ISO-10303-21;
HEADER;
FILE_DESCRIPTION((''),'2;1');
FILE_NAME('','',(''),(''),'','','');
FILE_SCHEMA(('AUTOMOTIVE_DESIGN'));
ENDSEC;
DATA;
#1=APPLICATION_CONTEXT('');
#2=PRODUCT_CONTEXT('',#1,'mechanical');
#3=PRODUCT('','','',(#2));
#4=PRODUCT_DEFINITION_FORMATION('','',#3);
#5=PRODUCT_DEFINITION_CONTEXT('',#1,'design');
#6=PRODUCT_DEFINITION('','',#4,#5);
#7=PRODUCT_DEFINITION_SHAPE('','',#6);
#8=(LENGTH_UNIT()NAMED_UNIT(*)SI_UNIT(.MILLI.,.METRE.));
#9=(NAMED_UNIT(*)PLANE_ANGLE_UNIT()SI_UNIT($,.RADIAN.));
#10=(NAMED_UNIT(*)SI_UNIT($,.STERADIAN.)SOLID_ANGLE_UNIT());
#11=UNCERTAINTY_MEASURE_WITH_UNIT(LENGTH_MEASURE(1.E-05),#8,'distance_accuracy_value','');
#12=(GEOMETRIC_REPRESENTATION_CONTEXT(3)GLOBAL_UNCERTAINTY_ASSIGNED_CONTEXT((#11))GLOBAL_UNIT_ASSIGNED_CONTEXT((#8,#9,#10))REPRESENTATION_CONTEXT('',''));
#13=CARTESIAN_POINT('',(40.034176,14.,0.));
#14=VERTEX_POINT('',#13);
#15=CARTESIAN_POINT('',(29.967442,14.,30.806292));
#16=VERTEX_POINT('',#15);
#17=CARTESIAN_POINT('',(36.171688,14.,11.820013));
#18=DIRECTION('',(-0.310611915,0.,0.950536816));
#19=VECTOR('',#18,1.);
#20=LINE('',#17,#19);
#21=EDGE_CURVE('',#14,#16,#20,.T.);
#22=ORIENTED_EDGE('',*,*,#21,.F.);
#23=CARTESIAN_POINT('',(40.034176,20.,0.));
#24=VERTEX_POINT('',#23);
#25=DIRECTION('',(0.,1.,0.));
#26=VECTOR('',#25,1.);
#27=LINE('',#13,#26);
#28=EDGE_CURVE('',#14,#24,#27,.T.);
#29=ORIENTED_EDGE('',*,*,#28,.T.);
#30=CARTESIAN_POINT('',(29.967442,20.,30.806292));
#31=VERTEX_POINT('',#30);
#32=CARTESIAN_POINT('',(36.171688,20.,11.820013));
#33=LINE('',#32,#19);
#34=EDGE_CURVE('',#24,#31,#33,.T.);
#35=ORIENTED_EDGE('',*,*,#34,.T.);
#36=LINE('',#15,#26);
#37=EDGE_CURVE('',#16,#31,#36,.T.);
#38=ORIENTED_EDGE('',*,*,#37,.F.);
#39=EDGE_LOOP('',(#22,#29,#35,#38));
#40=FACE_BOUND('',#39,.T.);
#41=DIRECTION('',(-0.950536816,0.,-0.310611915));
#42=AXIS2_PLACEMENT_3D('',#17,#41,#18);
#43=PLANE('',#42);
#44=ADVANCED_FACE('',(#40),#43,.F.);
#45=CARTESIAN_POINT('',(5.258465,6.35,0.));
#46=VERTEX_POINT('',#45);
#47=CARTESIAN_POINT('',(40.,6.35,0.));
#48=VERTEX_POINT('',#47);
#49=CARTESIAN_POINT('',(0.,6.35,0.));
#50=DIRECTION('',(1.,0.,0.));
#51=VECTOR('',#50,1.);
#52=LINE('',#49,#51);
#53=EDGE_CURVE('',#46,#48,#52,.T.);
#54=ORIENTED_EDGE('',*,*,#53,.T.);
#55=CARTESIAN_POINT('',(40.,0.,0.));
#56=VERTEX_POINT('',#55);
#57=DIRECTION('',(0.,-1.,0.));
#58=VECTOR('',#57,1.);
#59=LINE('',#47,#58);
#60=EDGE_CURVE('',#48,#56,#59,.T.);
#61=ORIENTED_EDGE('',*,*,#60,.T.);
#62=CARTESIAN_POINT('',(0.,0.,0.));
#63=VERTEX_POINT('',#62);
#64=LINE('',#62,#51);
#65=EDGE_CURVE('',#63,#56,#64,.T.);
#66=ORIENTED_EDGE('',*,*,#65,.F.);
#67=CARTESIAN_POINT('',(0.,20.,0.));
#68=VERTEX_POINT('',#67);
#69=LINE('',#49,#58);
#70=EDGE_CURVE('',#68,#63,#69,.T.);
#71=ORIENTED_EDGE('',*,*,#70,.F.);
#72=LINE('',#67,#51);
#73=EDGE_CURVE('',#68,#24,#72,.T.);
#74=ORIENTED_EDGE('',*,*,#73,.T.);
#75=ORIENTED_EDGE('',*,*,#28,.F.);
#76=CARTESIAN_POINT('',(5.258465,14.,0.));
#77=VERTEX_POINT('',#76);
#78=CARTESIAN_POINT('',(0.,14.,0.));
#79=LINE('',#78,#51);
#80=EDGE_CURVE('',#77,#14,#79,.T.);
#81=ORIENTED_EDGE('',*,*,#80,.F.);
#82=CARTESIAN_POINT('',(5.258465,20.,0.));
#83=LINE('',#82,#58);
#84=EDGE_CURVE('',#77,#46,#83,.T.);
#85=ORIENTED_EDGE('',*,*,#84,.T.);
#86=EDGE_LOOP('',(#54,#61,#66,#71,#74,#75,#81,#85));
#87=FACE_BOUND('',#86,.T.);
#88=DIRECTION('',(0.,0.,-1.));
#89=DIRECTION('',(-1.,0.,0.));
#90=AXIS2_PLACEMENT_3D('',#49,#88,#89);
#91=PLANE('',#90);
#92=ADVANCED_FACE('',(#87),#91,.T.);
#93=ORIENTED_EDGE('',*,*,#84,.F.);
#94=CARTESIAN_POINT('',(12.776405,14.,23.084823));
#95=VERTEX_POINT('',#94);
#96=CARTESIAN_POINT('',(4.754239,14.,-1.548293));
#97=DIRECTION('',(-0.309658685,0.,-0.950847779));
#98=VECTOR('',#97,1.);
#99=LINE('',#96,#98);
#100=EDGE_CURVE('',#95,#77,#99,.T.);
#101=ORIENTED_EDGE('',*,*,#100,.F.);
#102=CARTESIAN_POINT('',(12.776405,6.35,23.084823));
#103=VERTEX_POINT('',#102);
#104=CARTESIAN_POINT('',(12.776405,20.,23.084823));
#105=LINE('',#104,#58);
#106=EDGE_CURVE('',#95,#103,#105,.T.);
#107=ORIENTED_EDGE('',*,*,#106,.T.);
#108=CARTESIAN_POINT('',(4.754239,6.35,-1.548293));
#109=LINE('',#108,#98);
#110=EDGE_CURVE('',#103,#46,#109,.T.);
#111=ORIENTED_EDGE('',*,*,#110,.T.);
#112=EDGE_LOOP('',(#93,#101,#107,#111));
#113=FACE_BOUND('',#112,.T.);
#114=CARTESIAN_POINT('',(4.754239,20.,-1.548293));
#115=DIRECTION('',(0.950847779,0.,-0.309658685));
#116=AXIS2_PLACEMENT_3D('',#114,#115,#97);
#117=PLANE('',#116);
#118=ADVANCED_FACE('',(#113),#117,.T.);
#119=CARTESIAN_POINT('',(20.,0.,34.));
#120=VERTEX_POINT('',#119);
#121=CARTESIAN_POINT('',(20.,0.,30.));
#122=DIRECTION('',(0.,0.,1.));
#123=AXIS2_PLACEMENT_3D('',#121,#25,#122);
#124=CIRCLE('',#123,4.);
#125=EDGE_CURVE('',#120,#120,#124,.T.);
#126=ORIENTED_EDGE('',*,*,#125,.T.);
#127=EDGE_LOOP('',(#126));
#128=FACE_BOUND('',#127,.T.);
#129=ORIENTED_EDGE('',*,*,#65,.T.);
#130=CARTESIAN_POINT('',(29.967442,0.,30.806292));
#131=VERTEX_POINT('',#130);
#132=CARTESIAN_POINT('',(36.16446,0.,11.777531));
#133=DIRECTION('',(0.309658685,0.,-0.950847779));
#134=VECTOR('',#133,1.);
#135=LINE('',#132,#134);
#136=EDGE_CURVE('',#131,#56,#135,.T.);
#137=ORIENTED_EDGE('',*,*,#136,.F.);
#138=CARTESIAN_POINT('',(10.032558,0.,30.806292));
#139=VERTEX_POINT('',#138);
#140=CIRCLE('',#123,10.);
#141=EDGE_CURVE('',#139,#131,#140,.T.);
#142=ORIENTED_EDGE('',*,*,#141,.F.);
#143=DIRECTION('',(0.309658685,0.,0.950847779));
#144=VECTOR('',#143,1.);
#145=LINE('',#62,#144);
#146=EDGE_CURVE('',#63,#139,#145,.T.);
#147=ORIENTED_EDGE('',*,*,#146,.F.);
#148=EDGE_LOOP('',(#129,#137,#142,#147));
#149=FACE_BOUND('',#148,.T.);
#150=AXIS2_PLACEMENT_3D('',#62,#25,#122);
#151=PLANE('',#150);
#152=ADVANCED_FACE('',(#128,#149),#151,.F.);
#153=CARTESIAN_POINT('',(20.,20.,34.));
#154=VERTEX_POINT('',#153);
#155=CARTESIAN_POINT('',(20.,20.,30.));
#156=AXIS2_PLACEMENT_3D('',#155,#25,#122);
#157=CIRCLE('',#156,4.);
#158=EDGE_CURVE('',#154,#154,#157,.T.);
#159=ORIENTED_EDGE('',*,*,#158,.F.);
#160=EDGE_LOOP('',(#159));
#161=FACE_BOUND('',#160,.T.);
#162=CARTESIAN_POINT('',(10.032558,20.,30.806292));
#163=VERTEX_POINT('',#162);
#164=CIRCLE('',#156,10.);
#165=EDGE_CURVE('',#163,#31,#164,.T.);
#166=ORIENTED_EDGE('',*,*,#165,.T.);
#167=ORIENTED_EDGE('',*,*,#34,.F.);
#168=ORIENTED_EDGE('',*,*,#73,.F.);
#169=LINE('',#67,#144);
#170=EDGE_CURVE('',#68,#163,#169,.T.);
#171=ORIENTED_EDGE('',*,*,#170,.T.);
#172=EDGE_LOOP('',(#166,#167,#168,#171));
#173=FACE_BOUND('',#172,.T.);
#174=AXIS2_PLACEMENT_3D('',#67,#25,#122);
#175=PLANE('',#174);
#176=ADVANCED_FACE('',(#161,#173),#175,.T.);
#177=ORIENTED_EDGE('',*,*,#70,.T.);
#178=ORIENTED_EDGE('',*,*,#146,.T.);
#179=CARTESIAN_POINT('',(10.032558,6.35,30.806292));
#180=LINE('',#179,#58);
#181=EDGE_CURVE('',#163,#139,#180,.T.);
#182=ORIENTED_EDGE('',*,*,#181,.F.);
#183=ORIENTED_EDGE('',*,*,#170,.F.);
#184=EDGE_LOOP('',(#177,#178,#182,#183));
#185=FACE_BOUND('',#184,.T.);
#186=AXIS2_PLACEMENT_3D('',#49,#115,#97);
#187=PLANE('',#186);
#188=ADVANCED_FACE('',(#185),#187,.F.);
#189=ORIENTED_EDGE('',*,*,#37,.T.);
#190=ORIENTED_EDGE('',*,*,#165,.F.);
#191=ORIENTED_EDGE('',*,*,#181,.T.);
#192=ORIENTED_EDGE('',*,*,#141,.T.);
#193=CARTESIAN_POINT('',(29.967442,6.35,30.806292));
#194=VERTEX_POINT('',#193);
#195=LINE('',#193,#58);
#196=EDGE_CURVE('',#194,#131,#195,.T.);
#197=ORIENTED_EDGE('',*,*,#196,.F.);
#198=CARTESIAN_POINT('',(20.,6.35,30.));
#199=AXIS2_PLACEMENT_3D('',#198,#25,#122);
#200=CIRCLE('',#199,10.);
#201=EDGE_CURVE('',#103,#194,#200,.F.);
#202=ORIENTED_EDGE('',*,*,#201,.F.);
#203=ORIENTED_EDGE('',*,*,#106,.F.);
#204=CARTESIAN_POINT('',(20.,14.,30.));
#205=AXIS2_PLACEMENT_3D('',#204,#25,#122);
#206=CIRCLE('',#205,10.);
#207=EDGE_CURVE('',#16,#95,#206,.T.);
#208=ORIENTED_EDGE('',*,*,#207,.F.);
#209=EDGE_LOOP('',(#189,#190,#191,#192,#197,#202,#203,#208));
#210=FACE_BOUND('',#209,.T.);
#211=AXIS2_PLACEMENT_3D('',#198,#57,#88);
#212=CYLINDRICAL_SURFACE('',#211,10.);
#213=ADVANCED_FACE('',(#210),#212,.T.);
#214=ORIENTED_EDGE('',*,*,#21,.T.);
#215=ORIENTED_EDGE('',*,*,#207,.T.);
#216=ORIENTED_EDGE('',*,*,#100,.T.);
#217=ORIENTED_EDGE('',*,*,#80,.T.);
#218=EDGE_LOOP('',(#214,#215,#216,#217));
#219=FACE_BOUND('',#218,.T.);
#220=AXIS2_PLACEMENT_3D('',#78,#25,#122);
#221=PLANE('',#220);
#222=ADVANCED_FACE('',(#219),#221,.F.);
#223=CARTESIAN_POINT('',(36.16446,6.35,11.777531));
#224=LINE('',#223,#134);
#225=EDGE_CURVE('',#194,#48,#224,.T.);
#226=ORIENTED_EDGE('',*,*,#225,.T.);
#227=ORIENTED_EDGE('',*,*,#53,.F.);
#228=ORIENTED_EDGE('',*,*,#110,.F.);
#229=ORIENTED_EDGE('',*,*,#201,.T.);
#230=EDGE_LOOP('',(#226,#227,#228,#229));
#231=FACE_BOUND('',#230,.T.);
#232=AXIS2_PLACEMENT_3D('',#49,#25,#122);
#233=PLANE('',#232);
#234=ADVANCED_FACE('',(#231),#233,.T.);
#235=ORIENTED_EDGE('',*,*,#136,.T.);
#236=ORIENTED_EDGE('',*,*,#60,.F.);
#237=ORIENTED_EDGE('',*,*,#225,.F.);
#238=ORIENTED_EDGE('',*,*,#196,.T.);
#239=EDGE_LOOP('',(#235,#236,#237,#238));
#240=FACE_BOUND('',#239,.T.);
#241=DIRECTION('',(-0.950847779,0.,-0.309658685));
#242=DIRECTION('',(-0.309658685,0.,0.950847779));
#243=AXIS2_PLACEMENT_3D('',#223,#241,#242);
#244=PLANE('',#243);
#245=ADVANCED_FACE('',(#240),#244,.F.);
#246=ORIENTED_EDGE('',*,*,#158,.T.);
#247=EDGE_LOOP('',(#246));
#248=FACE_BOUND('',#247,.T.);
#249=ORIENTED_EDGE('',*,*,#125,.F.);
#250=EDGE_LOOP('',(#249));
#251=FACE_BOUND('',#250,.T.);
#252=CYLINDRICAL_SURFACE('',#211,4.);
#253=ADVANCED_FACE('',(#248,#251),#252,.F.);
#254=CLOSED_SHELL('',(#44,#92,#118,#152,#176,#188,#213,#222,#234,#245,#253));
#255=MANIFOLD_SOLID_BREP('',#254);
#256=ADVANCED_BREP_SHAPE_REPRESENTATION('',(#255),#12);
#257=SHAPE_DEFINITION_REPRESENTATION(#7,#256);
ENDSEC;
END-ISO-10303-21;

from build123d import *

# Parameters (mm, degrees)
SKETCH1_R           = 4
BOSS_EXTRUDE1_DEPTH = 6.35
SKETCH1_3_R         = 4
BOSS_EXTRUDE2_DEPTH = 20
BOSS_EXTRUDE3_START = -6
SKETCH2_R           = 4
BOSS_EXTRUDE3_DEPTH = 6


with BuildPart() as part:
    # Sketch1 → Boss-Extrude1 (new body)
    with BuildSketch(Plane(origin=(0, 0, 0), x_dir=(1, 0, 0), z_dir=(0, 1, 0))):
        with BuildLine():
            Line((0, 0), (10.032558322, -30.806291758))
            ThreePointArc((10.032558322, -30.806291758), (20, -40), (29.967441678, -30.806291758))
            Line((29.967441678, -30.806291758), (40, 0))
            Line((40, 0), (0, 0))
        make_face()
        with Locations((20, -30)):
            Circle(SKETCH1_R, mode=Mode.SUBTRACT)
    extrude(amount=BOSS_EXTRUDE1_DEPTH)

    # Sketch1<3> → Boss-Extrude2 (add)
    with BuildSketch(Plane(origin=(0, 0, 0), x_dir=(1, 0, 0), z_dir=(0, 1, 0))):
        with BuildLine():
            Line((5.258465246, 0), (0, 0))
            Line((0, 0), (10.032558322, -30.806291758))
            ThreePointArc((10.032558322, -30.806291758), (29.422749475, -33.34840146), (12.776404659, -23.084823187))
            Line((12.776404659, -23.084823187), (5.258465246, 0))
        make_face()
        with Locations((20, -30)):
            Circle(SKETCH1_3_R, mode=Mode.SUBTRACT)
    extrude(amount=BOSS_EXTRUDE2_DEPTH)

    # Sketch2 → Boss-Extrude3 (add)
    with BuildSketch(Plane(origin=(0, 20, 0), x_dir=(1, 0, 0), z_dir=(0, 1, 0)).offset(BOSS_EXTRUDE3_START)):
        with BuildLine():
            Line((40.034175669, 0), (0, 0))
            Line((0, 0), (10.032558322, -30.806291758))
            ThreePointArc((10.032558322, -30.806291758), (20, -40), (29.967441678, -30.806291758))
            Line((29.967441678, -30.806291758), (40.034175669, 0))
        make_face()
        with Locations((20, -30)):
            Circle(SKETCH2_R, mode=Mode.SUBTRACT)
    extrude(amount=BOSS_EXTRUDE3_DEPTH)


solid = part.part
